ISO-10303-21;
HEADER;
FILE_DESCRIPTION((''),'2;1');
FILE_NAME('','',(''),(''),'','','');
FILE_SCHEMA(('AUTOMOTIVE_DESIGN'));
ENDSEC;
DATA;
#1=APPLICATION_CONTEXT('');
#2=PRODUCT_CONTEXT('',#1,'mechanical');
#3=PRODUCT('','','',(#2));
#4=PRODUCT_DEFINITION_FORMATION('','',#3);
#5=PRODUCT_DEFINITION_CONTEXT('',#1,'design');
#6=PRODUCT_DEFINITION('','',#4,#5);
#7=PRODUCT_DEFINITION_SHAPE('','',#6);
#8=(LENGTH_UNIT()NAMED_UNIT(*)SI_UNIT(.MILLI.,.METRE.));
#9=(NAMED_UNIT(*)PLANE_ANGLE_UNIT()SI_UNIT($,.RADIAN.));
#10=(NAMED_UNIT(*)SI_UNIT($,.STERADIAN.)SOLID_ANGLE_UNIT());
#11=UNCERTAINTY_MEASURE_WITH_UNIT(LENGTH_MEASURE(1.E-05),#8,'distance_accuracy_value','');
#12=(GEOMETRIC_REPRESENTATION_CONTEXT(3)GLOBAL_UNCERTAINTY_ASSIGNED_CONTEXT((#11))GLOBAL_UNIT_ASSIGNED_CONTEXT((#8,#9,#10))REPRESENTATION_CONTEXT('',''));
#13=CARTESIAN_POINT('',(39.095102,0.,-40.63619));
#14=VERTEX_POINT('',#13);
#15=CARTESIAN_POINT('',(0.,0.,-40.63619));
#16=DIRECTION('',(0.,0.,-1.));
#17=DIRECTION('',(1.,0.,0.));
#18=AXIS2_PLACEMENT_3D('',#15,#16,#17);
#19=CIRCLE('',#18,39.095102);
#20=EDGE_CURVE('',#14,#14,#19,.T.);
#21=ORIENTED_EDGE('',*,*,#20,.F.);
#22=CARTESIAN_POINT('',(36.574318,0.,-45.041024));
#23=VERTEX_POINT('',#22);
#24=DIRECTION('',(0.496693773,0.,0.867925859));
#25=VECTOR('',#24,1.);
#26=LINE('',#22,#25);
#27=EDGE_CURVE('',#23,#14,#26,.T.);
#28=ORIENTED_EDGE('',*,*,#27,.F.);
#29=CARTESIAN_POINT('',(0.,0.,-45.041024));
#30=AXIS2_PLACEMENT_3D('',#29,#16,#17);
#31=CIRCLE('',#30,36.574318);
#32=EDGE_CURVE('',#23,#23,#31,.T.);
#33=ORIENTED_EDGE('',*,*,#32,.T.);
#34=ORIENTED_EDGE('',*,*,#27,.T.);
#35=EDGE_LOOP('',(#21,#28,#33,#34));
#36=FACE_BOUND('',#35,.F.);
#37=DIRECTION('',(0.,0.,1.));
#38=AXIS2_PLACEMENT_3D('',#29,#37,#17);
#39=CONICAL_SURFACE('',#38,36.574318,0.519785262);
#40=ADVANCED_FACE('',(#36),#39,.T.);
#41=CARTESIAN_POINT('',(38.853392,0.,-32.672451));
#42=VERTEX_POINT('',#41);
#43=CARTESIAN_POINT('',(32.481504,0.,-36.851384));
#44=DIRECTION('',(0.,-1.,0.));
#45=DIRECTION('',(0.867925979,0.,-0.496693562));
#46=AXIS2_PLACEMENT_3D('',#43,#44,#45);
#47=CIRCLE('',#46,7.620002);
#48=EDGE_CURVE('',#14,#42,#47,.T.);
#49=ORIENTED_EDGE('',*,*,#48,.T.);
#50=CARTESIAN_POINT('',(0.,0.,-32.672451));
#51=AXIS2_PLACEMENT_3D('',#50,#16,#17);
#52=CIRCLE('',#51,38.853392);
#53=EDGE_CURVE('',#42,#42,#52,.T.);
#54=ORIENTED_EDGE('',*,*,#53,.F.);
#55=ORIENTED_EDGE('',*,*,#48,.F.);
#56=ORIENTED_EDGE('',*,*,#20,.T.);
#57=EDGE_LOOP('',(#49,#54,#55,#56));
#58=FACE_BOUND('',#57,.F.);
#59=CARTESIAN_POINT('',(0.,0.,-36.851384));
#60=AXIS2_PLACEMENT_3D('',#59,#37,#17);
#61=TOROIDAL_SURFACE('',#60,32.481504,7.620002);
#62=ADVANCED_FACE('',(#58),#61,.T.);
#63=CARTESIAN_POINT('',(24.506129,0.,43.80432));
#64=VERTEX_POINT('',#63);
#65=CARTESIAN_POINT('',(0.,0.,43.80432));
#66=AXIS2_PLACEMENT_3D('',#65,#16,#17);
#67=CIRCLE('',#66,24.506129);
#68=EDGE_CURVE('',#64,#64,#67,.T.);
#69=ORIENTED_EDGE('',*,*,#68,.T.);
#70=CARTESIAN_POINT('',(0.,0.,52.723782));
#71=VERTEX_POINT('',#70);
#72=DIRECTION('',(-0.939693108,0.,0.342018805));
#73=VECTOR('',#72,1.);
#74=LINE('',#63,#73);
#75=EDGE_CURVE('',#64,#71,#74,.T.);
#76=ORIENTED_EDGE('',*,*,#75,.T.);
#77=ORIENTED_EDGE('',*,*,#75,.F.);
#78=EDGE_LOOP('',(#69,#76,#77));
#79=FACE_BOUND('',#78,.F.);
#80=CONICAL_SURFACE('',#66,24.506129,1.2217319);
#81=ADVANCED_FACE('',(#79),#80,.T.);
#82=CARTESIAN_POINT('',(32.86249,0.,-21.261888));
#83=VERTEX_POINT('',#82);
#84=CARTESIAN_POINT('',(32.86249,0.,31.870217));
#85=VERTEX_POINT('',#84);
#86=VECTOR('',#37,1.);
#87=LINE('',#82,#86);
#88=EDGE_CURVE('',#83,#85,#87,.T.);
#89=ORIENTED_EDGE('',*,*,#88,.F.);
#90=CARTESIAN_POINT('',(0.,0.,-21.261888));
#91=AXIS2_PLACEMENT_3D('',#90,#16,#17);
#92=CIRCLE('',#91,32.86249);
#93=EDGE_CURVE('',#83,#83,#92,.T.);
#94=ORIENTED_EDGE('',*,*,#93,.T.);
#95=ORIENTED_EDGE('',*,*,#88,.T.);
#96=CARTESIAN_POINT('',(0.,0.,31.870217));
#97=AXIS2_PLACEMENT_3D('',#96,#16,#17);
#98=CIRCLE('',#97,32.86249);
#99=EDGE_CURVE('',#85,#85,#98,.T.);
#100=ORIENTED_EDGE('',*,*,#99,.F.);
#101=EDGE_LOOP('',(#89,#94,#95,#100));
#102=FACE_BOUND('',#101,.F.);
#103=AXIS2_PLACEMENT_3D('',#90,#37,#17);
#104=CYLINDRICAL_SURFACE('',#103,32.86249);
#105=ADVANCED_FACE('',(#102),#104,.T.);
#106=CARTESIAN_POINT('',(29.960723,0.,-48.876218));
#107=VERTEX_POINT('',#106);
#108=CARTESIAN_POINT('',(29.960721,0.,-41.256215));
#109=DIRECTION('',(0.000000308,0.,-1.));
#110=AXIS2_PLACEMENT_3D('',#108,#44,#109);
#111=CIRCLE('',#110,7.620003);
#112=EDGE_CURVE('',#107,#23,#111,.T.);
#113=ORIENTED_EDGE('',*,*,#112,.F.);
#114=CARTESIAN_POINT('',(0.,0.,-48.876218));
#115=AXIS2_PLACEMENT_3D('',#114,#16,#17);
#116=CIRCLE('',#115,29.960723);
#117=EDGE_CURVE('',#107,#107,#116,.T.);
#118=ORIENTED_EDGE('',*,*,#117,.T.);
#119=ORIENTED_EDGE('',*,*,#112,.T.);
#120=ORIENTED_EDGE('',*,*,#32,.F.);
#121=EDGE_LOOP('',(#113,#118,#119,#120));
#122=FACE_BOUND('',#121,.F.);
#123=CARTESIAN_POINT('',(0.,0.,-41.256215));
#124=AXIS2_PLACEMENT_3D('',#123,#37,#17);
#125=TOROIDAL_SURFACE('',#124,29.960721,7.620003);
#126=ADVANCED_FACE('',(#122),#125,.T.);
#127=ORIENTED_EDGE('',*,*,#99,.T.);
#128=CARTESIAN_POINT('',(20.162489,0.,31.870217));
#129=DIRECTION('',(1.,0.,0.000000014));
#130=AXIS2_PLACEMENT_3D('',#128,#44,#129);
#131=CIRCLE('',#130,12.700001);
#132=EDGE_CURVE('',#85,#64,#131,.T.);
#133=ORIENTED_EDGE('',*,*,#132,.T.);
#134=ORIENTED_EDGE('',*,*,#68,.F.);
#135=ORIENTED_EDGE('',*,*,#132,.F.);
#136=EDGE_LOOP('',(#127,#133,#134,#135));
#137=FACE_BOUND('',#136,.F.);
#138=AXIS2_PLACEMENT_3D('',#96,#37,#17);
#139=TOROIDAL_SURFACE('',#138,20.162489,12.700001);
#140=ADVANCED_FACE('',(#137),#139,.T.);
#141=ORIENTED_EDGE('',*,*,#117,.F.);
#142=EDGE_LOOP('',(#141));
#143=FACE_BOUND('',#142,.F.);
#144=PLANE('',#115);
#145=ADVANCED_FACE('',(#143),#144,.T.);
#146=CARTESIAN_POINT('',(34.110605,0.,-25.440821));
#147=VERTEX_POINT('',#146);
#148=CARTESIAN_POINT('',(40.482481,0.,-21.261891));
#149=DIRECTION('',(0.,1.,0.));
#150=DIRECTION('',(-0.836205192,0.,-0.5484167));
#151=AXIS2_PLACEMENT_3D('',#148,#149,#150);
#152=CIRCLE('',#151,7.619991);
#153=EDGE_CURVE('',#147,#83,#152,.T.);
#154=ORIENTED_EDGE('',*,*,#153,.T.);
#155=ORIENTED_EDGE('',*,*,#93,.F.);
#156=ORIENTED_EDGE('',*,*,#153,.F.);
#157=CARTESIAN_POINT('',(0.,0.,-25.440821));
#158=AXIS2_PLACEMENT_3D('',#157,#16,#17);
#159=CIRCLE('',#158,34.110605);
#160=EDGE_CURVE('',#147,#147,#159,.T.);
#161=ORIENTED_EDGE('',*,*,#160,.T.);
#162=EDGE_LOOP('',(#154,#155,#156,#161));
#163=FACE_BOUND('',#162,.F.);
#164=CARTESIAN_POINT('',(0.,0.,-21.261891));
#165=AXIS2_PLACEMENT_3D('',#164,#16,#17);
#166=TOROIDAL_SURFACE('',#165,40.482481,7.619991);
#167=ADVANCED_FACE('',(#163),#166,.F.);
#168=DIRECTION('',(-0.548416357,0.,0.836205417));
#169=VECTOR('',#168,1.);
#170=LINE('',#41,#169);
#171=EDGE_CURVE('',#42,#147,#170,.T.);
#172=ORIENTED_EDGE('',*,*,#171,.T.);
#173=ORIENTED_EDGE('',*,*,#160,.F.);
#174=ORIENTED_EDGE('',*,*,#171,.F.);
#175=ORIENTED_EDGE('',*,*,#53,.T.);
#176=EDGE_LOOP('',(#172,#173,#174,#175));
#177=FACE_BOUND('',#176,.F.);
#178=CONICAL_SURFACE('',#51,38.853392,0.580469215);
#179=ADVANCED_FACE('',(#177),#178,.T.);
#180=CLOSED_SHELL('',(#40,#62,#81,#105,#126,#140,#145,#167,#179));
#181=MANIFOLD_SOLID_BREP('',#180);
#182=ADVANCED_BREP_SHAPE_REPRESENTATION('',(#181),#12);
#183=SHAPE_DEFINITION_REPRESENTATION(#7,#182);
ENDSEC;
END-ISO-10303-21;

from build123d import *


with BuildPart() as f1:
    # F0 (on Front) → F1 (revolve)
    with BuildSketch(Plane.XZ):
        with BuildLine():
            Line((24.506129, 43.80432), (0, 52.723782))
            Line((0, 52.723782), (0, -48.876218))
            Line((0, -48.876218), (29.960723, -48.876218))
            ThreePointArc((29.960723, -48.876218), (33.783299, -47.848054), (36.574318, -45.041024))
            Line((36.574318, -45.041024), (39.095102, -40.63619))
            ThreePointArc((39.095102, -40.63619), (40.097999, -36.620213), (38.853392, -32.672451))
            Line((38.853392, -32.672451), (34.110605, -25.440821))
            ThreePointArc((34.110605, -25.440821), (33.181183, -23.442558), (32.86249, -21.261888))
            Line((32.86249, -21.261888), (32.86249, 31.870217))
            ThreePointArc((32.86249, 31.870217), (30.565716, 39.154645), (24.506129, 43.80432))
        make_face()
    revolve(axis=Axis((0, 0, 1.923782), (0, 0, -1)))


solid = f1.part
